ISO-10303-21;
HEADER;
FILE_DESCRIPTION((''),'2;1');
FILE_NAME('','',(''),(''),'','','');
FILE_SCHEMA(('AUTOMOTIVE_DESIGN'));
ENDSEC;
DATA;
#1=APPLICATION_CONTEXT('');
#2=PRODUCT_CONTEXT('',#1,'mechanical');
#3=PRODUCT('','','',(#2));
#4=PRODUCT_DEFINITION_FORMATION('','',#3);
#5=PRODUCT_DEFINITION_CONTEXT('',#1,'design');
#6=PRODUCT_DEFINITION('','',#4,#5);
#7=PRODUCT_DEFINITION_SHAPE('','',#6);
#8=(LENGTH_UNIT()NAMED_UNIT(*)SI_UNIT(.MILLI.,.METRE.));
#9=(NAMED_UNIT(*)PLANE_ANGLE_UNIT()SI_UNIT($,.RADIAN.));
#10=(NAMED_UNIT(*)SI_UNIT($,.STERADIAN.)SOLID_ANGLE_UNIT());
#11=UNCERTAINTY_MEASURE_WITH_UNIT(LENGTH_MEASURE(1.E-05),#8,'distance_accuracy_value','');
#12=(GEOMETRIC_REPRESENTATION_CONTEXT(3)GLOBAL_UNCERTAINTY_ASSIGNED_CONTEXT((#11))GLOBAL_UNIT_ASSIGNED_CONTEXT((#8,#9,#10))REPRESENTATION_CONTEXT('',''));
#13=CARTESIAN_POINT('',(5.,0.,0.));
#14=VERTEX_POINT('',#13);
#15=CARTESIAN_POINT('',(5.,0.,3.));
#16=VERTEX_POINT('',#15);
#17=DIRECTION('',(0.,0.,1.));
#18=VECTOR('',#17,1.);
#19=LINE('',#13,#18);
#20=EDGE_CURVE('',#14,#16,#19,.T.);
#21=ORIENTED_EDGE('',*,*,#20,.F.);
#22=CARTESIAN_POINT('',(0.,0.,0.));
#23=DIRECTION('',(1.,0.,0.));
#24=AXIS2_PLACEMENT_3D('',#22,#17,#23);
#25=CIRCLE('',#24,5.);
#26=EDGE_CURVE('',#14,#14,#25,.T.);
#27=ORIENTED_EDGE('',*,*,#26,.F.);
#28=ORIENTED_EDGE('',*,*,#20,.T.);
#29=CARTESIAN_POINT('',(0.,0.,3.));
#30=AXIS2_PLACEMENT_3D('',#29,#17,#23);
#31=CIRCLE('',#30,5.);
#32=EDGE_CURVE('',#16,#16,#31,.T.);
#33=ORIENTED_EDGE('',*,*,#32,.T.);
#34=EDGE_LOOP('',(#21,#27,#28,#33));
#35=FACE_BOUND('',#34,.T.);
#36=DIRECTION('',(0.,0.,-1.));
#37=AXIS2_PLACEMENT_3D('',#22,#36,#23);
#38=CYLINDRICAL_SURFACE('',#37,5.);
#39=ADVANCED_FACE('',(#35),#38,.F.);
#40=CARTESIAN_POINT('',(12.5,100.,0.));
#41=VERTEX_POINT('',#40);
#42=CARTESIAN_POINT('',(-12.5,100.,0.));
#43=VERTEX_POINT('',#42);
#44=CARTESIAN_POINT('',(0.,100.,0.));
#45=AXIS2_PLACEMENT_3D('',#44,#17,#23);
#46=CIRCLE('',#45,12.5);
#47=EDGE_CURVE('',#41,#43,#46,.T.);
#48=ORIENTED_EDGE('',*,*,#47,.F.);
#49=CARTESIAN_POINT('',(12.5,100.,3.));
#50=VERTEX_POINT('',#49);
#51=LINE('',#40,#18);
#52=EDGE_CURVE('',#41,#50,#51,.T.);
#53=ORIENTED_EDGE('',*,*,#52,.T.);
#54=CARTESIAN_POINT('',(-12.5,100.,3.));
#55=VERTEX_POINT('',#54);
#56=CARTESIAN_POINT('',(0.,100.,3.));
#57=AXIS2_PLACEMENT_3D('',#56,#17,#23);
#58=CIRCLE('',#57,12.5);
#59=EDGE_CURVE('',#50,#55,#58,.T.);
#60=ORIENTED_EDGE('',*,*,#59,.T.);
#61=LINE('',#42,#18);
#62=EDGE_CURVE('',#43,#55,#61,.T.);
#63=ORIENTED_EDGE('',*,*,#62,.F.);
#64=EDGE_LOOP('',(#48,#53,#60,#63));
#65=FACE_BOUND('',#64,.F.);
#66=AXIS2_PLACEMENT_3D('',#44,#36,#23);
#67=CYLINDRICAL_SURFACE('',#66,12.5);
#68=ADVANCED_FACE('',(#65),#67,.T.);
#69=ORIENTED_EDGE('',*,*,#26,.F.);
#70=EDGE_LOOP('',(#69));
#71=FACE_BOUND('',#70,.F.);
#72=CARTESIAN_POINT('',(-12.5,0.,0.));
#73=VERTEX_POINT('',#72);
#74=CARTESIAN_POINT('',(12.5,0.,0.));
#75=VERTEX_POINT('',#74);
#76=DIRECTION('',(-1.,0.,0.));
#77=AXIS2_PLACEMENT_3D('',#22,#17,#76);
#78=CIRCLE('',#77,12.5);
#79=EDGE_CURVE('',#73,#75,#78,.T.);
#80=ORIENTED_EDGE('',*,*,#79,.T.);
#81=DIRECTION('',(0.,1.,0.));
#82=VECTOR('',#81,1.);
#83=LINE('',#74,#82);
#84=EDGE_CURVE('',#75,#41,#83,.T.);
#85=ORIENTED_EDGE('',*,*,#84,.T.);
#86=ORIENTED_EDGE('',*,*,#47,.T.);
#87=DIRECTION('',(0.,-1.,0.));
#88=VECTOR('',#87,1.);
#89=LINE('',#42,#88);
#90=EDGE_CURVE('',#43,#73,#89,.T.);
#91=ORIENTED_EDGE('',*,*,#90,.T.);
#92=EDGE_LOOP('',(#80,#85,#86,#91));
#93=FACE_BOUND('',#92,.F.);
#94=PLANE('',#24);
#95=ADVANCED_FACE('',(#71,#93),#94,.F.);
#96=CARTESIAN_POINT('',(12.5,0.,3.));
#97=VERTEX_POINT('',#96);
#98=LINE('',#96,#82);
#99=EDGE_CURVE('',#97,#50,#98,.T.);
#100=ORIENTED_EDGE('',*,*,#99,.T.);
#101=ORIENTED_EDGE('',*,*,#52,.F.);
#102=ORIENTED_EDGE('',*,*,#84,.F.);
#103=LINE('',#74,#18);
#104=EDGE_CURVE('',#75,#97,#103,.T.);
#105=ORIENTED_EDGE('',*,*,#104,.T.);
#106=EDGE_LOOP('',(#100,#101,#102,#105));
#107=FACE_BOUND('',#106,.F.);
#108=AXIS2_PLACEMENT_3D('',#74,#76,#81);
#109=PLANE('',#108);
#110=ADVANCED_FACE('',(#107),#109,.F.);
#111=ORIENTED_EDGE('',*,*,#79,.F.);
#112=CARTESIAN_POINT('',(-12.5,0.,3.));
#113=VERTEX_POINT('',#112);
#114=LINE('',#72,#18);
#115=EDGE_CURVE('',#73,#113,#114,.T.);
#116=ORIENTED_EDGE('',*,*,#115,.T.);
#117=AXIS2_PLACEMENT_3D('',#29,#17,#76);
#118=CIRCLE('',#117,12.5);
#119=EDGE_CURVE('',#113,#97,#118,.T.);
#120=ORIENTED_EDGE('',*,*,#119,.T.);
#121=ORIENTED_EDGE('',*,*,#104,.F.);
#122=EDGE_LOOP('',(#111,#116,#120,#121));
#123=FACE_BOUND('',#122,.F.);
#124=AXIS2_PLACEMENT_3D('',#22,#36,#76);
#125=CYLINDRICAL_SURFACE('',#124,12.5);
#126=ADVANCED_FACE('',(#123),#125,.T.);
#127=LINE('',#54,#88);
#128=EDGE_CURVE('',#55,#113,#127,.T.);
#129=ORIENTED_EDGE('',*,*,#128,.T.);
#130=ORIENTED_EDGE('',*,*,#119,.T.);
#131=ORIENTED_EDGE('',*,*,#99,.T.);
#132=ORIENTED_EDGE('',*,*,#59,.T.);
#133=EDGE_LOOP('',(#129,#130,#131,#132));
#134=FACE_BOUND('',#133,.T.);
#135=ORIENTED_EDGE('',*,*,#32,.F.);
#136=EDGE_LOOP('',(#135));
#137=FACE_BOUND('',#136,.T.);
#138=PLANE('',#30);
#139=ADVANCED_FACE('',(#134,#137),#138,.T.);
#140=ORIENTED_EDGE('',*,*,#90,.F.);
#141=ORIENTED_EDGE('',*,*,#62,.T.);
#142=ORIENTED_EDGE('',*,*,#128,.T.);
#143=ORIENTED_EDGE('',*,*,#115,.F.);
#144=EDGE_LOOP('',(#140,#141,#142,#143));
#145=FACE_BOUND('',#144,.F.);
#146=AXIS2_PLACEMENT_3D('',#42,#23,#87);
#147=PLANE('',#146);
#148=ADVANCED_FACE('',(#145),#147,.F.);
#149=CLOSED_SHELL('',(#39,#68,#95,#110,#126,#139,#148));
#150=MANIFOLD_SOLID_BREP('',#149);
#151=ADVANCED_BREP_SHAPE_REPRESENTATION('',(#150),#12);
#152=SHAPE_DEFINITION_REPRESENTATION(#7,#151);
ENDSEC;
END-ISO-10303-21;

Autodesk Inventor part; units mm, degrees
ref_plane "YZ Plane" through (0, 0, 0) normal (1, 0, 0) x (0, 1, 0)
ref_plane "XZ Plane" through (0, 0, 0) normal (0, 1, 0) x (-1, 0, 0)
ref_plane "XY Plane" through (0, 0, 0) normal (0, 0, 1) x (1, 0, 0)
sketch "草圖1" plane through (0, 0, 0) normal (0, 0, 1) x (1, 0, 0)
  circle A0 centre (0, 0) radius 5
  line L0 (0, 0) -> (0, 100) construction
  line L1 (12.5, 0) -> (12.5, 100)
  line L2 (-12.5, 100) -> (-12.5, 0)
  arc A1 (-12.5, 0) -> (12.5, 0) centre (0, 0) ccw
  arc A2 (12.5, 100) -> (-12.5, 100) centre (0, 100) ccw
  point P0 (0, 50)
  dimension "d0" = 10
  dimension "d1" = 100
  dimension "d2" = 25
extrude "擠出1" add sketch "草圖1" along normal blind 3
